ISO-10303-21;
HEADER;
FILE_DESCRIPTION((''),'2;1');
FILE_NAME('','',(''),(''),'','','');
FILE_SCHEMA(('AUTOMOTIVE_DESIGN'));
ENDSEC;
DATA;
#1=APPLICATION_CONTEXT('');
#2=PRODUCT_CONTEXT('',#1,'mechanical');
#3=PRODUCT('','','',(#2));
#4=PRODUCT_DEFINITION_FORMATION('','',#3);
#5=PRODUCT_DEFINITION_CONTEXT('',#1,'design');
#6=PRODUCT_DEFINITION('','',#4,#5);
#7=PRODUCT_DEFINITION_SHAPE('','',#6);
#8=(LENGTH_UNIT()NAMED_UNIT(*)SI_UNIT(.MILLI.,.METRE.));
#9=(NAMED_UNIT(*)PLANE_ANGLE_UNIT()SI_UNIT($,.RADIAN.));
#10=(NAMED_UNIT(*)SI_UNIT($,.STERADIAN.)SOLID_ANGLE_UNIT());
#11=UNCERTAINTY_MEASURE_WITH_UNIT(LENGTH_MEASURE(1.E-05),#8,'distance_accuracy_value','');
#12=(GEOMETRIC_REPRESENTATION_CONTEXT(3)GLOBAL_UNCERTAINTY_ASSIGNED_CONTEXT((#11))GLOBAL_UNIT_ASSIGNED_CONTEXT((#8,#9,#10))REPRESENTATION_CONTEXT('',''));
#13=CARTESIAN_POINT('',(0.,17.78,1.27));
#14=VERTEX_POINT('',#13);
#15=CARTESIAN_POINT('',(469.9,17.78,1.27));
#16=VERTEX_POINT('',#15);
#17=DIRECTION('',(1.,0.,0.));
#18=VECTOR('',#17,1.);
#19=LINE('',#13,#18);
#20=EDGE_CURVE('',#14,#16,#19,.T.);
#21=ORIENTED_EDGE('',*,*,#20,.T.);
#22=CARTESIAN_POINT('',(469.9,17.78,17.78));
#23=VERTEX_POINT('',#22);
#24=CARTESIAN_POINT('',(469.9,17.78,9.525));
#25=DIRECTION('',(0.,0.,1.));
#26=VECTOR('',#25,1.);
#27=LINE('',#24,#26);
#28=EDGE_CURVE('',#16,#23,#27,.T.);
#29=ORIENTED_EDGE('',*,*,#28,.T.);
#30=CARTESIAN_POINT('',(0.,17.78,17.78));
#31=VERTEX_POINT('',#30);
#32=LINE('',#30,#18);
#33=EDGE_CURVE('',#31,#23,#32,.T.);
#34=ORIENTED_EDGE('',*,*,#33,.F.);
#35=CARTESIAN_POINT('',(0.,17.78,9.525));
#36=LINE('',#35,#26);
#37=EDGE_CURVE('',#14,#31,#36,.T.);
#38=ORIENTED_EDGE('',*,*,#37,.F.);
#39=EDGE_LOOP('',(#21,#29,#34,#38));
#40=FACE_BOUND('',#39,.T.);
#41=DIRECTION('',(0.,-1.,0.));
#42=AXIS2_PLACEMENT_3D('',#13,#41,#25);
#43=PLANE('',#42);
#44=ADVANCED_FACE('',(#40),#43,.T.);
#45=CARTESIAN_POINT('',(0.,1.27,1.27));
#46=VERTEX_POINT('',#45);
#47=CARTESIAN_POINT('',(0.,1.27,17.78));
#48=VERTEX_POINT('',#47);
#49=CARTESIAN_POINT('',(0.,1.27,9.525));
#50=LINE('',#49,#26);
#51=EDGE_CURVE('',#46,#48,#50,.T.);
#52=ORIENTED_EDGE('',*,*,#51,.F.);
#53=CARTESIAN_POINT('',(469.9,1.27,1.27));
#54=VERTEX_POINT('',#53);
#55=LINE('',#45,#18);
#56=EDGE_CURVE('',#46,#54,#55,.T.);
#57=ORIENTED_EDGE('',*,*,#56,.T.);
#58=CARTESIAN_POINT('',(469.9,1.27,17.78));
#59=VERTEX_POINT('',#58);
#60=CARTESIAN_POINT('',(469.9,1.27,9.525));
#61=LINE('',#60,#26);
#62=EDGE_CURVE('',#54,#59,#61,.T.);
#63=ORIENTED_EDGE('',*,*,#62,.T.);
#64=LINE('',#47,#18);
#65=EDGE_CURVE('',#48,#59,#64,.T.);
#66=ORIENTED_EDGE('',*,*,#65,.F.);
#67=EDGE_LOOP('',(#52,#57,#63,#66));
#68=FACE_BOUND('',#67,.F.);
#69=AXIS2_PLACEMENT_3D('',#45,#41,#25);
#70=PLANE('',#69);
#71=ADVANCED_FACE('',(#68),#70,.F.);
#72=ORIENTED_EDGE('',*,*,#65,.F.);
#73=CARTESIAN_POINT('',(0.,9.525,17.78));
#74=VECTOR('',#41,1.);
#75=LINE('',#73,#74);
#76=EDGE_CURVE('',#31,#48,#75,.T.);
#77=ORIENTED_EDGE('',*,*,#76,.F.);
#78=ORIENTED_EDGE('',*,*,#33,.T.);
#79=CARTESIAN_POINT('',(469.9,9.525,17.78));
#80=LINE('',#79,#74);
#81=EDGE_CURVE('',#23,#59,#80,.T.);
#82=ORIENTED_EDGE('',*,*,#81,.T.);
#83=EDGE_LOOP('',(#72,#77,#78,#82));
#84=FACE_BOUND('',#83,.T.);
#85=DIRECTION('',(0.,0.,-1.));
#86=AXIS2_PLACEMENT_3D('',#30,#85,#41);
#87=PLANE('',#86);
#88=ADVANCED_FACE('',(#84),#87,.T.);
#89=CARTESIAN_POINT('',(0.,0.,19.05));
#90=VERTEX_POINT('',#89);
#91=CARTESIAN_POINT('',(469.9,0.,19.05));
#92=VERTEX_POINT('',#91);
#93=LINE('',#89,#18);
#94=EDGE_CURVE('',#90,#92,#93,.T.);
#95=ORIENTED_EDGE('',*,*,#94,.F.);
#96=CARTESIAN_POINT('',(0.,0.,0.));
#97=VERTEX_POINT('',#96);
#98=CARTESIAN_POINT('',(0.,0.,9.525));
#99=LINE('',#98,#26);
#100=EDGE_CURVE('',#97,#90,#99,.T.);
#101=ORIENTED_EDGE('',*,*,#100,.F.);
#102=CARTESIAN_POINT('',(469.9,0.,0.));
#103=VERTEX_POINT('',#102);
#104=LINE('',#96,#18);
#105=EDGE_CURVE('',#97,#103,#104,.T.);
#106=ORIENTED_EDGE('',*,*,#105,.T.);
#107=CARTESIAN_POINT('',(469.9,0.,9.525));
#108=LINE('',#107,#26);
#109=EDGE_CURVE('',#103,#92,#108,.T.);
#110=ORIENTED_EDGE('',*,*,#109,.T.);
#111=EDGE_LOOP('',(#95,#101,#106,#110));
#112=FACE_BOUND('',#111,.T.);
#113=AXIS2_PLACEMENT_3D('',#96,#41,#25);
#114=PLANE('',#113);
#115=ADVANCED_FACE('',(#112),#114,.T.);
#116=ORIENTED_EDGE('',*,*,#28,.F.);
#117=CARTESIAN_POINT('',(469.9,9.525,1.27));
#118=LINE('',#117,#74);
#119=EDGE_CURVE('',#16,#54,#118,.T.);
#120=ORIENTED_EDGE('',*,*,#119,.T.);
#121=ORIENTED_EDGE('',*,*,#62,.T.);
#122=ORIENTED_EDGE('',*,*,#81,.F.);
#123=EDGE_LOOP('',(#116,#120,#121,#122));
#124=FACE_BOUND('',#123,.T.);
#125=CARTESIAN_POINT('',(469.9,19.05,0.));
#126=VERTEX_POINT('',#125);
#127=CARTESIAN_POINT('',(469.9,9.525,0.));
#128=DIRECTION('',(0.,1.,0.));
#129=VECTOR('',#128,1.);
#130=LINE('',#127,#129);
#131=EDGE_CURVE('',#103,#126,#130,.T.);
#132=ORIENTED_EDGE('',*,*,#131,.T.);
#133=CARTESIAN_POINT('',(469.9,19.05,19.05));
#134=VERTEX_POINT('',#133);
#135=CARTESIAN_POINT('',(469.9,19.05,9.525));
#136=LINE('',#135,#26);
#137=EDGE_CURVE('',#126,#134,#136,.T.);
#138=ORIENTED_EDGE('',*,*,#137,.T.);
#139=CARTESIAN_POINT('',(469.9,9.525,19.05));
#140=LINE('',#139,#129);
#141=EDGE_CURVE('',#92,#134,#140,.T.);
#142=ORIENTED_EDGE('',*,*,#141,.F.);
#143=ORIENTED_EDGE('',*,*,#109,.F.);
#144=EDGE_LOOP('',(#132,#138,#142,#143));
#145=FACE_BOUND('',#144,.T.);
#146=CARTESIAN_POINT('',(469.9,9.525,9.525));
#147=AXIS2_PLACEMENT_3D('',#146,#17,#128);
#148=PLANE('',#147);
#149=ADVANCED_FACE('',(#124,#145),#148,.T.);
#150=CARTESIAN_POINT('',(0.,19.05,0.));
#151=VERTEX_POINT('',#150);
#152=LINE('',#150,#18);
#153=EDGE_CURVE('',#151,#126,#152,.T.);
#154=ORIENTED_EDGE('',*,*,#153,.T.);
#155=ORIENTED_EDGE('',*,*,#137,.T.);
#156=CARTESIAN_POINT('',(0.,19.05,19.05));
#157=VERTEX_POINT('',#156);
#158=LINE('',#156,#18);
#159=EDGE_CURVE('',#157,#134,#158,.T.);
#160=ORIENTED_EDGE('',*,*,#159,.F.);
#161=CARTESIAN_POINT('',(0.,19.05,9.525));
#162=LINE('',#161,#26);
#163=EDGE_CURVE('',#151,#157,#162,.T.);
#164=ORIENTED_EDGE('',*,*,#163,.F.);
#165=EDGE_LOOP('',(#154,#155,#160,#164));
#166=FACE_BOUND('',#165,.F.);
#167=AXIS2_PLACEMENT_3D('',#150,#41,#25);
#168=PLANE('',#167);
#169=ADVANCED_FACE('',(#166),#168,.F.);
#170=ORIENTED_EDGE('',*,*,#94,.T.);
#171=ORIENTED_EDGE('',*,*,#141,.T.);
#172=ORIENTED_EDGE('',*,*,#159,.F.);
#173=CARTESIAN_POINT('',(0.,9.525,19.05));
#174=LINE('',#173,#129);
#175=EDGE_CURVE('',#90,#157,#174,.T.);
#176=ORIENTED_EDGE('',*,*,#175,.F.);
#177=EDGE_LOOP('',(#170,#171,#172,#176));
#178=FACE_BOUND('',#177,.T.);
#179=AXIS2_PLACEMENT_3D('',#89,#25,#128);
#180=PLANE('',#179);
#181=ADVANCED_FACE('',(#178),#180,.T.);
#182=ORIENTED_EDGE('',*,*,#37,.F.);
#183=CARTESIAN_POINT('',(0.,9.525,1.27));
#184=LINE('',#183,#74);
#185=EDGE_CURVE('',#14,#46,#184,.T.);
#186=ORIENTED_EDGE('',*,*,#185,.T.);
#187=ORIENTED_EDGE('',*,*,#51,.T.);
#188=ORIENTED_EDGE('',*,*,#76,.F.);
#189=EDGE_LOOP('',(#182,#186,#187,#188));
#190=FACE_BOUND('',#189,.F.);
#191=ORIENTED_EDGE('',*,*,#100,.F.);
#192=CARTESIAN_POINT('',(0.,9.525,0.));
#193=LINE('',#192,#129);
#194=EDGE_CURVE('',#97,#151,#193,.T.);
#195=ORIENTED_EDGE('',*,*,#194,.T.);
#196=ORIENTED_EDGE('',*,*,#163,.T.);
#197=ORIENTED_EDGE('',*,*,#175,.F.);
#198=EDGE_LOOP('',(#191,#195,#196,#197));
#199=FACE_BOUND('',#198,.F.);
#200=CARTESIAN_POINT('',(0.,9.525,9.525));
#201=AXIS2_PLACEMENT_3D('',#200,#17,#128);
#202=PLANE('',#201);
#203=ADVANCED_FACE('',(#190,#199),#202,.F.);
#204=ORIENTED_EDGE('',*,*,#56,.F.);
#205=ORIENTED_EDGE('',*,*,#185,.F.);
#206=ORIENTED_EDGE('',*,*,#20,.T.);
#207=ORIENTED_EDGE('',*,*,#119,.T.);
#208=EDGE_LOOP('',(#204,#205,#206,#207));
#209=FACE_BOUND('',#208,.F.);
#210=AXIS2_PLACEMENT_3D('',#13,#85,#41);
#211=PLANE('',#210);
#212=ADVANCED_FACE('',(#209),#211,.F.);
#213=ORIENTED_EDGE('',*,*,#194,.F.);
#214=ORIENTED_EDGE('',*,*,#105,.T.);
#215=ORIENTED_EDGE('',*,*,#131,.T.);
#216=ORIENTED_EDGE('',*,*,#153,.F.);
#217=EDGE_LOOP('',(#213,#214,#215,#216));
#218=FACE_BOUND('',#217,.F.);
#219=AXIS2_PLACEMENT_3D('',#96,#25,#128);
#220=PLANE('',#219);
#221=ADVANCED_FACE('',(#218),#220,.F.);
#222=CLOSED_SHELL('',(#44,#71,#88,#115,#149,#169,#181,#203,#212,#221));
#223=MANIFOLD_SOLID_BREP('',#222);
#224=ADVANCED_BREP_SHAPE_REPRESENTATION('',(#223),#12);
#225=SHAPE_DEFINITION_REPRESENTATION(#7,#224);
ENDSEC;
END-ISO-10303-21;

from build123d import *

# Parameters (mm, degrees)
F0_W     = 19.05
F0_H     = 19.05
F1_DEPTH = 469.9
F2_W     = 16.51
F2_H     = 16.51
F3_DEPTH = 469.9


with BuildPart() as f1:
    # F0 (on Right) → F1 (new body)
    with BuildSketch(Plane.YZ):
        with Locations((9.525, 9.525)):
            Rectangle(F0_W, F0_H)
    extrude(amount=F1_DEPTH)

    # F2 (on face) → F3 (cut)
    with BuildSketch(Plane(origin=(0, 0, 0), x_dir=(0, -1, 0), z_dir=(-1, 0, 0))):
        with Locations((-9.525, 9.525)):
            Rectangle(F2_W, F2_H)
    extrude(amount=-F3_DEPTH, mode=Mode.SUBTRACT)


solid = f1.part
